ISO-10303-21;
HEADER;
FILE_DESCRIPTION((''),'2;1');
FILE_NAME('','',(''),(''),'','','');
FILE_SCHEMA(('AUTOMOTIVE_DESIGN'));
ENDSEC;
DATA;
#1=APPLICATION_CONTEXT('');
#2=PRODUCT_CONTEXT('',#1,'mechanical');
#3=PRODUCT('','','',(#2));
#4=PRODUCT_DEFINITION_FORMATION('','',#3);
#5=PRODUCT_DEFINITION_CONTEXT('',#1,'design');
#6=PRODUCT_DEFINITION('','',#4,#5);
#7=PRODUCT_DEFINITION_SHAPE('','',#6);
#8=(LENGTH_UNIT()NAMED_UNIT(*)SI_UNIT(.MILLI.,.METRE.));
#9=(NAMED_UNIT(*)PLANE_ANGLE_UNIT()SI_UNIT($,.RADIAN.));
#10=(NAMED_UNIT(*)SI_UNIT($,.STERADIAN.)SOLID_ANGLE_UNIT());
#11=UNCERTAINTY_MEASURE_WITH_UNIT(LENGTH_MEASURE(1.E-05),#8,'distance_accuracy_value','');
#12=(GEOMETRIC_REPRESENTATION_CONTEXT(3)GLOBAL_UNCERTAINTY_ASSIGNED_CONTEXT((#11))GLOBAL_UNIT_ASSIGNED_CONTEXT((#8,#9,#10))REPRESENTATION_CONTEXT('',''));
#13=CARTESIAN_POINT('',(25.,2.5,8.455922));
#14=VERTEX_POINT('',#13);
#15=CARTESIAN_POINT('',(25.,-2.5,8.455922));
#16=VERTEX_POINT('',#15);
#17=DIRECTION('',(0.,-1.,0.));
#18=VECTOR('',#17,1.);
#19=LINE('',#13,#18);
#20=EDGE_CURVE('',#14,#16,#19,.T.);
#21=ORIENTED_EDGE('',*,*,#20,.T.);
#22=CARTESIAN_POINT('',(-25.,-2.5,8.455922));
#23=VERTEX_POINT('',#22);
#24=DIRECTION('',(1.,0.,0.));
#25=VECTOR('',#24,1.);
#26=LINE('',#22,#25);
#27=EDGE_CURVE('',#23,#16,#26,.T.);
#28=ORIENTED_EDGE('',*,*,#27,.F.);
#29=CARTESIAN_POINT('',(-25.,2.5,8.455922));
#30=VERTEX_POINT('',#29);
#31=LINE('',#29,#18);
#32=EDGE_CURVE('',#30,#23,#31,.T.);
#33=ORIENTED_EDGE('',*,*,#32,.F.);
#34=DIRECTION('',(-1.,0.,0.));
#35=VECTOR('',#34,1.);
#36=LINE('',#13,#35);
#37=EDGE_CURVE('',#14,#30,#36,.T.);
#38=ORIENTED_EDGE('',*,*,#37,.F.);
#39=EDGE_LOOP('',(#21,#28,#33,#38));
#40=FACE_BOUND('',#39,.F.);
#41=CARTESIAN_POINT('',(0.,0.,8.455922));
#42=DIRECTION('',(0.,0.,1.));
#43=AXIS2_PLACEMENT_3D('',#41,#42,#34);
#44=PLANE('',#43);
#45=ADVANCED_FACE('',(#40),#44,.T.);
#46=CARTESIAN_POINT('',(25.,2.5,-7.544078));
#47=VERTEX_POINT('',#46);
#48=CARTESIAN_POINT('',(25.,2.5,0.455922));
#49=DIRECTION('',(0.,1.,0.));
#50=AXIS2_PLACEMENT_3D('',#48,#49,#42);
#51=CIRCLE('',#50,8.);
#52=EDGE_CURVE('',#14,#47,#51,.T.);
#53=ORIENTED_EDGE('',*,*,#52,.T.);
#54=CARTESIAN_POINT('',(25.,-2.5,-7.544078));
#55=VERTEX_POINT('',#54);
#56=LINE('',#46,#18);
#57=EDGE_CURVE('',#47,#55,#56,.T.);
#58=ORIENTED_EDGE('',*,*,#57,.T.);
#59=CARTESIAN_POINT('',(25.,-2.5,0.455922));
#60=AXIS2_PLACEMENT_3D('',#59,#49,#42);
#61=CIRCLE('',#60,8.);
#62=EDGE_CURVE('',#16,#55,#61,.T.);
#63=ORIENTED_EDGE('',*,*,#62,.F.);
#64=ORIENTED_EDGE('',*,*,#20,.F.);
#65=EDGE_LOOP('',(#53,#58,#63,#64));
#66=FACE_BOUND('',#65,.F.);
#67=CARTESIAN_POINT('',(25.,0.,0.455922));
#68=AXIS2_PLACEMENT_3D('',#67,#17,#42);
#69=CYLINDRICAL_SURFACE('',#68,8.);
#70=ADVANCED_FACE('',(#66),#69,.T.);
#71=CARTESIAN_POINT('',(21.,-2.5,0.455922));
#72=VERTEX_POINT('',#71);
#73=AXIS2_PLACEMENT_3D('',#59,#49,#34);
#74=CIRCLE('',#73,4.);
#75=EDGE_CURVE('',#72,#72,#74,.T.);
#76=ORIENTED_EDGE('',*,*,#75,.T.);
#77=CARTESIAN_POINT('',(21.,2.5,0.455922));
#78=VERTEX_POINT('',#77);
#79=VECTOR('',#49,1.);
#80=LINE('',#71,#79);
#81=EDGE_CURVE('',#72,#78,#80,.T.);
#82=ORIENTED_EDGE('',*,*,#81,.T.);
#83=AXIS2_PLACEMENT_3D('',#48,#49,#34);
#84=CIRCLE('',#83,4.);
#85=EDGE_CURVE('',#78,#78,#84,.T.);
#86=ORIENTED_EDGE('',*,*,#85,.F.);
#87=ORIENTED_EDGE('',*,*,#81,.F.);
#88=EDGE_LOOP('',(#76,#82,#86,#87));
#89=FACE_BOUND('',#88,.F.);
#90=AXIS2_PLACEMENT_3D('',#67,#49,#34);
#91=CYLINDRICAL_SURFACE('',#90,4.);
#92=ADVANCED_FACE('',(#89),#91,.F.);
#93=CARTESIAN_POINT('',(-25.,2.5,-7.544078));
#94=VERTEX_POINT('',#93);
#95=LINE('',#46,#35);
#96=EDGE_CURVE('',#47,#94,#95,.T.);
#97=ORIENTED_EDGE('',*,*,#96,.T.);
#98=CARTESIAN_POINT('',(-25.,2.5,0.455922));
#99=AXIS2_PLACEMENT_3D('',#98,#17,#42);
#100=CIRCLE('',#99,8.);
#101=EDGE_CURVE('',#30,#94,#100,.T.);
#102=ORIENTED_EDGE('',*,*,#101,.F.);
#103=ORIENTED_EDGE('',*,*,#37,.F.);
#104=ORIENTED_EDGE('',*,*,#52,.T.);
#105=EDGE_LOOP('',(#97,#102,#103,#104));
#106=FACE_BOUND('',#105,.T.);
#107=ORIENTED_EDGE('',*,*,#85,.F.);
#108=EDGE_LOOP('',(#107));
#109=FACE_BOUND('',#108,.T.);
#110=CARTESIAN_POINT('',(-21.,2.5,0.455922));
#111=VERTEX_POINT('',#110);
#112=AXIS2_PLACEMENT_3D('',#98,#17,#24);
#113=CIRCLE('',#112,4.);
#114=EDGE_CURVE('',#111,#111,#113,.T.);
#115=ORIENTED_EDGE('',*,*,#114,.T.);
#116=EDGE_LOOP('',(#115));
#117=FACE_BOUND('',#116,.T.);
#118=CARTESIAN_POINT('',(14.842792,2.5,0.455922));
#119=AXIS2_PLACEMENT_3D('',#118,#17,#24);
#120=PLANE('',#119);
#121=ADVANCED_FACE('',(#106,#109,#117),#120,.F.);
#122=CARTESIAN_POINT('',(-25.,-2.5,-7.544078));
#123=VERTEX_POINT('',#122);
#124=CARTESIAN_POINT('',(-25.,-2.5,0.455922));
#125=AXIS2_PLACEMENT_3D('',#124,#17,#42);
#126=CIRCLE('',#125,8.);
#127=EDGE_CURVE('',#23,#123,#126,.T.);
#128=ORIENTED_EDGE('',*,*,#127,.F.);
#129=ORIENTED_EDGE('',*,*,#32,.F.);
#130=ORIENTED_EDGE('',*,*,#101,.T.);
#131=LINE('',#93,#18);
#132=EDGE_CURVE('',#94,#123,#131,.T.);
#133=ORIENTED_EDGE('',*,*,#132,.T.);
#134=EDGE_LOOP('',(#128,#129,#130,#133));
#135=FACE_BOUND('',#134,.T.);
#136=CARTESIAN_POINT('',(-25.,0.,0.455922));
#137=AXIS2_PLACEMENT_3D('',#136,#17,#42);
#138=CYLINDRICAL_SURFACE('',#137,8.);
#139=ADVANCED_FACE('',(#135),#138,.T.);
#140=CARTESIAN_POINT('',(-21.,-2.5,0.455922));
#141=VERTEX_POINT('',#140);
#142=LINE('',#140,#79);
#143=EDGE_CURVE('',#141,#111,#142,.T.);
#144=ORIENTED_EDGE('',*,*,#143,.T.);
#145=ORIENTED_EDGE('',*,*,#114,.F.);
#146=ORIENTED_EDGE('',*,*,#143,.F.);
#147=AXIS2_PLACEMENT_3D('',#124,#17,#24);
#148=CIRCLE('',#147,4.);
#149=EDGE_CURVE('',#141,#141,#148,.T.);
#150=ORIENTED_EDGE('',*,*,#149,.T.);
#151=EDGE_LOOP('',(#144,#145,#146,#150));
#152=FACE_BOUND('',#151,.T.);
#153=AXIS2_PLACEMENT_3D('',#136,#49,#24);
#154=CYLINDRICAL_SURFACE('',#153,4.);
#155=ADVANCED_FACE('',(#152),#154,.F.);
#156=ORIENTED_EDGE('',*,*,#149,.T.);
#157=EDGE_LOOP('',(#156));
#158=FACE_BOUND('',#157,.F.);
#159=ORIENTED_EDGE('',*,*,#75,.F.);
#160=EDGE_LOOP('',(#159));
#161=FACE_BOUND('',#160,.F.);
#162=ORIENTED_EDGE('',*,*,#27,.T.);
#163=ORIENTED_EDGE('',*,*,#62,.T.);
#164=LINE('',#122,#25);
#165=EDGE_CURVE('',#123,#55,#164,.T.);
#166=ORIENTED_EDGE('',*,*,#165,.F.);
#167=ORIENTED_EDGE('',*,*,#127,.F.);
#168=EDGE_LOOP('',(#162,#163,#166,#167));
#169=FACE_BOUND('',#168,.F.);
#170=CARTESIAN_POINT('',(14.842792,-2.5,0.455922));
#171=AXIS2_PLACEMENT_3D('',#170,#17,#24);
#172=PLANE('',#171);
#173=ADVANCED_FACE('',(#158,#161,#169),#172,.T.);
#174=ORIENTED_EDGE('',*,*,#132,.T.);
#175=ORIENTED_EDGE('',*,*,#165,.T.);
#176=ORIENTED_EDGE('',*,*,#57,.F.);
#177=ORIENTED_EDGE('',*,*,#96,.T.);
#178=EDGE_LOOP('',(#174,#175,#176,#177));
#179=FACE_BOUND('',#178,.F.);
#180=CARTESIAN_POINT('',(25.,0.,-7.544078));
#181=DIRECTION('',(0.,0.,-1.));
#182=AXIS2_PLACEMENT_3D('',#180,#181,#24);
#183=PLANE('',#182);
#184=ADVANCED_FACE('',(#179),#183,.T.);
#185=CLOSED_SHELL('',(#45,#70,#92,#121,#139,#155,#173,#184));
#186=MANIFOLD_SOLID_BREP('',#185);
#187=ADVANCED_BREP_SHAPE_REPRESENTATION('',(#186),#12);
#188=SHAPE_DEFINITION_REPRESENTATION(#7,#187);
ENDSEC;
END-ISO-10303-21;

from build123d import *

# Parameters (mm, degrees)
F0_R     = 4
F1_DEPTH = 2.5


with BuildPart() as f1:
    # F0 (on Front) → F1 (new body, symmetric)
    with BuildSketch(Plane.XZ):
        with BuildLine():
            Line((0, 8.455922), (-25, 8.455922))
            ThreePointArc((-25, 8.455922), (-33, 0.455922), (-25, -7.544078))
            Line((-25, -7.544078), (0, -7.544078))
            Line((0, -7.544078), (0, 8.455922))
        make_face()
        with Locations((-25, 0.455922)):
            Circle(F0_R, mode=Mode.SUBTRACT)
    extrude(amount=F1_DEPTH, both=True)

    # F2: F1 across face


with BuildPart() as f1_1:
    add(f1.part)
    add(f1.part.mirror(Plane(origin=(0, 0, 0.455922), x_dir=(0, 1, 0), z_dir=(1, 0, 0))))


solid = f1_1.part
